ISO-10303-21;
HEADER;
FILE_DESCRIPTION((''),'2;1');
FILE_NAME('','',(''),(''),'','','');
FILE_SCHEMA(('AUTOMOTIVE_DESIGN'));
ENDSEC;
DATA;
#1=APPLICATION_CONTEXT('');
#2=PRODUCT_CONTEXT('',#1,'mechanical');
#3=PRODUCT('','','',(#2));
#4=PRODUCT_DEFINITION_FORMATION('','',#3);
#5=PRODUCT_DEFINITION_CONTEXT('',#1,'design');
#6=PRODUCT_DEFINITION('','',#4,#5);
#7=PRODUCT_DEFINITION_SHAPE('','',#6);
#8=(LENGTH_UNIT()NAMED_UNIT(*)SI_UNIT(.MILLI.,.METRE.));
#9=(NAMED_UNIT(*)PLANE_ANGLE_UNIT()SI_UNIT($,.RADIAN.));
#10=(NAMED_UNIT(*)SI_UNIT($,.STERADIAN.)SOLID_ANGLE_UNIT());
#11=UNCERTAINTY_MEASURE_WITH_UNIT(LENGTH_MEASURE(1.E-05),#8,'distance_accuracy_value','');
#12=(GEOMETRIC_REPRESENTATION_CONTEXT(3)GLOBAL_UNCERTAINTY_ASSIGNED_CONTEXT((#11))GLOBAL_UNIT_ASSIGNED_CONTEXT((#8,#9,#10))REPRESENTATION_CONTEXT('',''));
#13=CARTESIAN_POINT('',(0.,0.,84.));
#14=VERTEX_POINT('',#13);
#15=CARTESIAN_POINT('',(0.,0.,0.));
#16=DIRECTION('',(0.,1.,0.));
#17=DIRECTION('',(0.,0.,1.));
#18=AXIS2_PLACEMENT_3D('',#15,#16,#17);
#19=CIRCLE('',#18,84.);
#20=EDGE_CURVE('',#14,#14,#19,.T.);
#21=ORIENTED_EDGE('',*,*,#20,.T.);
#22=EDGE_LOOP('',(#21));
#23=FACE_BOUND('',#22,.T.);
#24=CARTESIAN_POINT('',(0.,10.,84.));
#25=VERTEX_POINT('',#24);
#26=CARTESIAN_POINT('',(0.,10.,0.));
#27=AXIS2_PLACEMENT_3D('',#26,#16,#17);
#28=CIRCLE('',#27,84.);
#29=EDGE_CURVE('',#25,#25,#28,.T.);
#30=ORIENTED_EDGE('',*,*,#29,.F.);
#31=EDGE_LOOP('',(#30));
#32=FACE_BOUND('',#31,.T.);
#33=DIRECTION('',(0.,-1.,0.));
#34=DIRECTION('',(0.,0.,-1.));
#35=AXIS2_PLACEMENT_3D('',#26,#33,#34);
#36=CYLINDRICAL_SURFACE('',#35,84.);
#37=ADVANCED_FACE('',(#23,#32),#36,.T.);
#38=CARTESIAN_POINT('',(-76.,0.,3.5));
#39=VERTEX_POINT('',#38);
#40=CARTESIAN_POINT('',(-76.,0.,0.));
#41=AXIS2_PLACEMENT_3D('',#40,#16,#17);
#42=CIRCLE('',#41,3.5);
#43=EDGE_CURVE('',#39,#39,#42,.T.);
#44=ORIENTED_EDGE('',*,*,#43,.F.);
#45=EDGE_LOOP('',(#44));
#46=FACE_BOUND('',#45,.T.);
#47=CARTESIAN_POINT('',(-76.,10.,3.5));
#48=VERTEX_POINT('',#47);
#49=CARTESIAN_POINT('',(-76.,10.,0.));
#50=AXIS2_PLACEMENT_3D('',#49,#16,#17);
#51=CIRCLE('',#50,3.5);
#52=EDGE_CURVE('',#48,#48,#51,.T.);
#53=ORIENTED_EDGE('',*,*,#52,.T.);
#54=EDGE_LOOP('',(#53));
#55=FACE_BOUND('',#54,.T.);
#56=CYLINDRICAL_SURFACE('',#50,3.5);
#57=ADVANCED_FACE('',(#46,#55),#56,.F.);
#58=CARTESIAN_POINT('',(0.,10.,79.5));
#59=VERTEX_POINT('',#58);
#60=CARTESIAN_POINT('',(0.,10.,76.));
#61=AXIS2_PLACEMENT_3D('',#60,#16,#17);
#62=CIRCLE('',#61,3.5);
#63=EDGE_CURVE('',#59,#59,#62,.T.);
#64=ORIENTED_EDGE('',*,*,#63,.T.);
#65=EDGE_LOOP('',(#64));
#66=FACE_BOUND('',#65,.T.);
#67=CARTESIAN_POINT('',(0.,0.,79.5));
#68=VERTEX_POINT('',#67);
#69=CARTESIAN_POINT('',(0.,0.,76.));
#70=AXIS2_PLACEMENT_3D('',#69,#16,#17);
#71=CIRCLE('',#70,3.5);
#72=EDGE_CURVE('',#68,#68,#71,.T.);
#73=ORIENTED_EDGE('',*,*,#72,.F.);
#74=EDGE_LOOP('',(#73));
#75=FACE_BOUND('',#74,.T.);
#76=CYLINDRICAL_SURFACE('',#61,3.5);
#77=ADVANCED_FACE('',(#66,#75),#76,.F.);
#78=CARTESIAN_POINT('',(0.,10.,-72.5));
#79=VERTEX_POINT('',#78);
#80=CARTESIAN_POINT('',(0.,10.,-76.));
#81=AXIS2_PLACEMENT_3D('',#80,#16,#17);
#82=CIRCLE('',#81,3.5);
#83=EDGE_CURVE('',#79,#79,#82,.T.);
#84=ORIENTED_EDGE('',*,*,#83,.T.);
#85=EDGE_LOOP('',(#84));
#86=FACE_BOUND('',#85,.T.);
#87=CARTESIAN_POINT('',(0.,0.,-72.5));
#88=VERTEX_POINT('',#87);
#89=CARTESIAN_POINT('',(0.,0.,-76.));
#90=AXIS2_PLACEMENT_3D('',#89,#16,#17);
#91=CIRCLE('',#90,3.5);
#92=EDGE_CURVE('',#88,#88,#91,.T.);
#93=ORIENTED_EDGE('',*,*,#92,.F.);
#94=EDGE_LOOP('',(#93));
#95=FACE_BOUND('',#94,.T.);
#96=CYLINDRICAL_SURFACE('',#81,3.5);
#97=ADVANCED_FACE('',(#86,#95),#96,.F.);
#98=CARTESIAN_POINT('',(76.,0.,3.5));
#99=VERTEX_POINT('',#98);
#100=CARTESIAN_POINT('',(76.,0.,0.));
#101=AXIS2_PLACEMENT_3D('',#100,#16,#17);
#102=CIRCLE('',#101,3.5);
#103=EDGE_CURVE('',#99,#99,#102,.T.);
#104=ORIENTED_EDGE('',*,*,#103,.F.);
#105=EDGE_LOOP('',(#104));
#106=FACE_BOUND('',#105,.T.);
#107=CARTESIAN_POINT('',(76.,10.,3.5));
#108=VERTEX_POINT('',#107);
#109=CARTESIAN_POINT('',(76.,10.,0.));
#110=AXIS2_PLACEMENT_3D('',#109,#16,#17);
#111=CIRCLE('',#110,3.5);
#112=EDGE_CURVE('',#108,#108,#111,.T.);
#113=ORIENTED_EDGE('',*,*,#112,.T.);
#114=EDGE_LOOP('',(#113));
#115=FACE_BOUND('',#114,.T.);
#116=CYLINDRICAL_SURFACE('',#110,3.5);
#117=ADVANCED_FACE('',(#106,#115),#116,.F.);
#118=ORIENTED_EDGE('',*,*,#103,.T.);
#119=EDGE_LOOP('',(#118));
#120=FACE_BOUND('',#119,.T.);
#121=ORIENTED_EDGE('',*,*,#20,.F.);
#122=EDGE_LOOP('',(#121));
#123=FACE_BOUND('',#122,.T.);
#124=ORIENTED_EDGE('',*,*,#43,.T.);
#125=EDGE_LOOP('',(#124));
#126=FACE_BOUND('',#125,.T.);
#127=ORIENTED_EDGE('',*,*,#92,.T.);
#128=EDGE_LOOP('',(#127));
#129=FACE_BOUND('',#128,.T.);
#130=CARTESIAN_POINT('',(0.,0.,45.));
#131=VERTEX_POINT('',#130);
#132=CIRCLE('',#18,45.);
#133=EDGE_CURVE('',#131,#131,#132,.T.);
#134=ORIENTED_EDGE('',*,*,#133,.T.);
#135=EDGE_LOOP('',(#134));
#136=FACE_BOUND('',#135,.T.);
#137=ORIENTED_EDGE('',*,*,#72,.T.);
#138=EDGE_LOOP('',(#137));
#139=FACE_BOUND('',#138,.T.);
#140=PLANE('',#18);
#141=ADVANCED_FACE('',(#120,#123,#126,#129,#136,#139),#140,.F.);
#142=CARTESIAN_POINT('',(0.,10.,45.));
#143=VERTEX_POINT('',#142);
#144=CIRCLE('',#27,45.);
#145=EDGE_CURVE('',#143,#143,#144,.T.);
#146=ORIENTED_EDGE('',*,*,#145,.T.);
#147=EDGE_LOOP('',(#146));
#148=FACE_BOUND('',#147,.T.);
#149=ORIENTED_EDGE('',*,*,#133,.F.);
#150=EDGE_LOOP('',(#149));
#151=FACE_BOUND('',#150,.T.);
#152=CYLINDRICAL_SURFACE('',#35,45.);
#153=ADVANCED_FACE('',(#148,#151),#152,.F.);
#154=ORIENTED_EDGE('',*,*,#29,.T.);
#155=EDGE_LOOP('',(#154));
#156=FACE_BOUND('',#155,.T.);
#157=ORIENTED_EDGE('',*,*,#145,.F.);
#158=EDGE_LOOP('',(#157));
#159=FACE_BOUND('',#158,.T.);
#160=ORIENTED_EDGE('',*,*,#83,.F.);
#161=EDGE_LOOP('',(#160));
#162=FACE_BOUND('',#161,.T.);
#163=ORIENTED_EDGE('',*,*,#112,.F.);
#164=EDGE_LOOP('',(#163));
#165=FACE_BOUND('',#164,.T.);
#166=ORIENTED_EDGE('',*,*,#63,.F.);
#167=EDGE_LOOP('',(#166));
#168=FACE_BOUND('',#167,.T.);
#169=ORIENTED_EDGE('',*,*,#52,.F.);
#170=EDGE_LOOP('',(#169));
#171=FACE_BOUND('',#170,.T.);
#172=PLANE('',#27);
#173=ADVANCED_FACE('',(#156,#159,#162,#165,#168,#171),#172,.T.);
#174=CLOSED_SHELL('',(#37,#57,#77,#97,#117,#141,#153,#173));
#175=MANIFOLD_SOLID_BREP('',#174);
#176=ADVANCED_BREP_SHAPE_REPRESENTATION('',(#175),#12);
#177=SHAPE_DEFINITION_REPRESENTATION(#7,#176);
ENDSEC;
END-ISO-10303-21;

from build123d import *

# Parameters (mm, degrees)
SKETCH1_R            = 84
SKETCH1_R_2          = 45
BOSS_EXTRUDE1_DEPTH  = 10
M6_CLEARANCE_HOLE1_D = 7


with BuildPart() as part:
    # Sketch1 → Boss-Extrude1 (new body)
    with BuildSketch(Plane(origin=(0, 0, 0), x_dir=(1, 0, 0), z_dir=(0, 1, 0))):
        with Locations(Location((0, 0, 0), (0, 0, 270))):
            Circle(SKETCH1_R)
        with Locations(Location((0, 0, 0), (0, 0, 270))):
            Circle(SKETCH1_R_2, mode=Mode.SUBTRACT)
    extrude(amount=BOSS_EXTRUDE1_DEPTH)

    # M6 Clearance Hole1 (through all)
    with Locations(Plane(origin=(-76, 10, 0), x_dir=(0, 0, 1), z_dir=(0, 1, 0))):
        with Locations((0, 0), (-76, 76), (0, 152), (76, 76)):
            Hole(M6_CLEARANCE_HOLE1_D / 2)


solid = part.part
